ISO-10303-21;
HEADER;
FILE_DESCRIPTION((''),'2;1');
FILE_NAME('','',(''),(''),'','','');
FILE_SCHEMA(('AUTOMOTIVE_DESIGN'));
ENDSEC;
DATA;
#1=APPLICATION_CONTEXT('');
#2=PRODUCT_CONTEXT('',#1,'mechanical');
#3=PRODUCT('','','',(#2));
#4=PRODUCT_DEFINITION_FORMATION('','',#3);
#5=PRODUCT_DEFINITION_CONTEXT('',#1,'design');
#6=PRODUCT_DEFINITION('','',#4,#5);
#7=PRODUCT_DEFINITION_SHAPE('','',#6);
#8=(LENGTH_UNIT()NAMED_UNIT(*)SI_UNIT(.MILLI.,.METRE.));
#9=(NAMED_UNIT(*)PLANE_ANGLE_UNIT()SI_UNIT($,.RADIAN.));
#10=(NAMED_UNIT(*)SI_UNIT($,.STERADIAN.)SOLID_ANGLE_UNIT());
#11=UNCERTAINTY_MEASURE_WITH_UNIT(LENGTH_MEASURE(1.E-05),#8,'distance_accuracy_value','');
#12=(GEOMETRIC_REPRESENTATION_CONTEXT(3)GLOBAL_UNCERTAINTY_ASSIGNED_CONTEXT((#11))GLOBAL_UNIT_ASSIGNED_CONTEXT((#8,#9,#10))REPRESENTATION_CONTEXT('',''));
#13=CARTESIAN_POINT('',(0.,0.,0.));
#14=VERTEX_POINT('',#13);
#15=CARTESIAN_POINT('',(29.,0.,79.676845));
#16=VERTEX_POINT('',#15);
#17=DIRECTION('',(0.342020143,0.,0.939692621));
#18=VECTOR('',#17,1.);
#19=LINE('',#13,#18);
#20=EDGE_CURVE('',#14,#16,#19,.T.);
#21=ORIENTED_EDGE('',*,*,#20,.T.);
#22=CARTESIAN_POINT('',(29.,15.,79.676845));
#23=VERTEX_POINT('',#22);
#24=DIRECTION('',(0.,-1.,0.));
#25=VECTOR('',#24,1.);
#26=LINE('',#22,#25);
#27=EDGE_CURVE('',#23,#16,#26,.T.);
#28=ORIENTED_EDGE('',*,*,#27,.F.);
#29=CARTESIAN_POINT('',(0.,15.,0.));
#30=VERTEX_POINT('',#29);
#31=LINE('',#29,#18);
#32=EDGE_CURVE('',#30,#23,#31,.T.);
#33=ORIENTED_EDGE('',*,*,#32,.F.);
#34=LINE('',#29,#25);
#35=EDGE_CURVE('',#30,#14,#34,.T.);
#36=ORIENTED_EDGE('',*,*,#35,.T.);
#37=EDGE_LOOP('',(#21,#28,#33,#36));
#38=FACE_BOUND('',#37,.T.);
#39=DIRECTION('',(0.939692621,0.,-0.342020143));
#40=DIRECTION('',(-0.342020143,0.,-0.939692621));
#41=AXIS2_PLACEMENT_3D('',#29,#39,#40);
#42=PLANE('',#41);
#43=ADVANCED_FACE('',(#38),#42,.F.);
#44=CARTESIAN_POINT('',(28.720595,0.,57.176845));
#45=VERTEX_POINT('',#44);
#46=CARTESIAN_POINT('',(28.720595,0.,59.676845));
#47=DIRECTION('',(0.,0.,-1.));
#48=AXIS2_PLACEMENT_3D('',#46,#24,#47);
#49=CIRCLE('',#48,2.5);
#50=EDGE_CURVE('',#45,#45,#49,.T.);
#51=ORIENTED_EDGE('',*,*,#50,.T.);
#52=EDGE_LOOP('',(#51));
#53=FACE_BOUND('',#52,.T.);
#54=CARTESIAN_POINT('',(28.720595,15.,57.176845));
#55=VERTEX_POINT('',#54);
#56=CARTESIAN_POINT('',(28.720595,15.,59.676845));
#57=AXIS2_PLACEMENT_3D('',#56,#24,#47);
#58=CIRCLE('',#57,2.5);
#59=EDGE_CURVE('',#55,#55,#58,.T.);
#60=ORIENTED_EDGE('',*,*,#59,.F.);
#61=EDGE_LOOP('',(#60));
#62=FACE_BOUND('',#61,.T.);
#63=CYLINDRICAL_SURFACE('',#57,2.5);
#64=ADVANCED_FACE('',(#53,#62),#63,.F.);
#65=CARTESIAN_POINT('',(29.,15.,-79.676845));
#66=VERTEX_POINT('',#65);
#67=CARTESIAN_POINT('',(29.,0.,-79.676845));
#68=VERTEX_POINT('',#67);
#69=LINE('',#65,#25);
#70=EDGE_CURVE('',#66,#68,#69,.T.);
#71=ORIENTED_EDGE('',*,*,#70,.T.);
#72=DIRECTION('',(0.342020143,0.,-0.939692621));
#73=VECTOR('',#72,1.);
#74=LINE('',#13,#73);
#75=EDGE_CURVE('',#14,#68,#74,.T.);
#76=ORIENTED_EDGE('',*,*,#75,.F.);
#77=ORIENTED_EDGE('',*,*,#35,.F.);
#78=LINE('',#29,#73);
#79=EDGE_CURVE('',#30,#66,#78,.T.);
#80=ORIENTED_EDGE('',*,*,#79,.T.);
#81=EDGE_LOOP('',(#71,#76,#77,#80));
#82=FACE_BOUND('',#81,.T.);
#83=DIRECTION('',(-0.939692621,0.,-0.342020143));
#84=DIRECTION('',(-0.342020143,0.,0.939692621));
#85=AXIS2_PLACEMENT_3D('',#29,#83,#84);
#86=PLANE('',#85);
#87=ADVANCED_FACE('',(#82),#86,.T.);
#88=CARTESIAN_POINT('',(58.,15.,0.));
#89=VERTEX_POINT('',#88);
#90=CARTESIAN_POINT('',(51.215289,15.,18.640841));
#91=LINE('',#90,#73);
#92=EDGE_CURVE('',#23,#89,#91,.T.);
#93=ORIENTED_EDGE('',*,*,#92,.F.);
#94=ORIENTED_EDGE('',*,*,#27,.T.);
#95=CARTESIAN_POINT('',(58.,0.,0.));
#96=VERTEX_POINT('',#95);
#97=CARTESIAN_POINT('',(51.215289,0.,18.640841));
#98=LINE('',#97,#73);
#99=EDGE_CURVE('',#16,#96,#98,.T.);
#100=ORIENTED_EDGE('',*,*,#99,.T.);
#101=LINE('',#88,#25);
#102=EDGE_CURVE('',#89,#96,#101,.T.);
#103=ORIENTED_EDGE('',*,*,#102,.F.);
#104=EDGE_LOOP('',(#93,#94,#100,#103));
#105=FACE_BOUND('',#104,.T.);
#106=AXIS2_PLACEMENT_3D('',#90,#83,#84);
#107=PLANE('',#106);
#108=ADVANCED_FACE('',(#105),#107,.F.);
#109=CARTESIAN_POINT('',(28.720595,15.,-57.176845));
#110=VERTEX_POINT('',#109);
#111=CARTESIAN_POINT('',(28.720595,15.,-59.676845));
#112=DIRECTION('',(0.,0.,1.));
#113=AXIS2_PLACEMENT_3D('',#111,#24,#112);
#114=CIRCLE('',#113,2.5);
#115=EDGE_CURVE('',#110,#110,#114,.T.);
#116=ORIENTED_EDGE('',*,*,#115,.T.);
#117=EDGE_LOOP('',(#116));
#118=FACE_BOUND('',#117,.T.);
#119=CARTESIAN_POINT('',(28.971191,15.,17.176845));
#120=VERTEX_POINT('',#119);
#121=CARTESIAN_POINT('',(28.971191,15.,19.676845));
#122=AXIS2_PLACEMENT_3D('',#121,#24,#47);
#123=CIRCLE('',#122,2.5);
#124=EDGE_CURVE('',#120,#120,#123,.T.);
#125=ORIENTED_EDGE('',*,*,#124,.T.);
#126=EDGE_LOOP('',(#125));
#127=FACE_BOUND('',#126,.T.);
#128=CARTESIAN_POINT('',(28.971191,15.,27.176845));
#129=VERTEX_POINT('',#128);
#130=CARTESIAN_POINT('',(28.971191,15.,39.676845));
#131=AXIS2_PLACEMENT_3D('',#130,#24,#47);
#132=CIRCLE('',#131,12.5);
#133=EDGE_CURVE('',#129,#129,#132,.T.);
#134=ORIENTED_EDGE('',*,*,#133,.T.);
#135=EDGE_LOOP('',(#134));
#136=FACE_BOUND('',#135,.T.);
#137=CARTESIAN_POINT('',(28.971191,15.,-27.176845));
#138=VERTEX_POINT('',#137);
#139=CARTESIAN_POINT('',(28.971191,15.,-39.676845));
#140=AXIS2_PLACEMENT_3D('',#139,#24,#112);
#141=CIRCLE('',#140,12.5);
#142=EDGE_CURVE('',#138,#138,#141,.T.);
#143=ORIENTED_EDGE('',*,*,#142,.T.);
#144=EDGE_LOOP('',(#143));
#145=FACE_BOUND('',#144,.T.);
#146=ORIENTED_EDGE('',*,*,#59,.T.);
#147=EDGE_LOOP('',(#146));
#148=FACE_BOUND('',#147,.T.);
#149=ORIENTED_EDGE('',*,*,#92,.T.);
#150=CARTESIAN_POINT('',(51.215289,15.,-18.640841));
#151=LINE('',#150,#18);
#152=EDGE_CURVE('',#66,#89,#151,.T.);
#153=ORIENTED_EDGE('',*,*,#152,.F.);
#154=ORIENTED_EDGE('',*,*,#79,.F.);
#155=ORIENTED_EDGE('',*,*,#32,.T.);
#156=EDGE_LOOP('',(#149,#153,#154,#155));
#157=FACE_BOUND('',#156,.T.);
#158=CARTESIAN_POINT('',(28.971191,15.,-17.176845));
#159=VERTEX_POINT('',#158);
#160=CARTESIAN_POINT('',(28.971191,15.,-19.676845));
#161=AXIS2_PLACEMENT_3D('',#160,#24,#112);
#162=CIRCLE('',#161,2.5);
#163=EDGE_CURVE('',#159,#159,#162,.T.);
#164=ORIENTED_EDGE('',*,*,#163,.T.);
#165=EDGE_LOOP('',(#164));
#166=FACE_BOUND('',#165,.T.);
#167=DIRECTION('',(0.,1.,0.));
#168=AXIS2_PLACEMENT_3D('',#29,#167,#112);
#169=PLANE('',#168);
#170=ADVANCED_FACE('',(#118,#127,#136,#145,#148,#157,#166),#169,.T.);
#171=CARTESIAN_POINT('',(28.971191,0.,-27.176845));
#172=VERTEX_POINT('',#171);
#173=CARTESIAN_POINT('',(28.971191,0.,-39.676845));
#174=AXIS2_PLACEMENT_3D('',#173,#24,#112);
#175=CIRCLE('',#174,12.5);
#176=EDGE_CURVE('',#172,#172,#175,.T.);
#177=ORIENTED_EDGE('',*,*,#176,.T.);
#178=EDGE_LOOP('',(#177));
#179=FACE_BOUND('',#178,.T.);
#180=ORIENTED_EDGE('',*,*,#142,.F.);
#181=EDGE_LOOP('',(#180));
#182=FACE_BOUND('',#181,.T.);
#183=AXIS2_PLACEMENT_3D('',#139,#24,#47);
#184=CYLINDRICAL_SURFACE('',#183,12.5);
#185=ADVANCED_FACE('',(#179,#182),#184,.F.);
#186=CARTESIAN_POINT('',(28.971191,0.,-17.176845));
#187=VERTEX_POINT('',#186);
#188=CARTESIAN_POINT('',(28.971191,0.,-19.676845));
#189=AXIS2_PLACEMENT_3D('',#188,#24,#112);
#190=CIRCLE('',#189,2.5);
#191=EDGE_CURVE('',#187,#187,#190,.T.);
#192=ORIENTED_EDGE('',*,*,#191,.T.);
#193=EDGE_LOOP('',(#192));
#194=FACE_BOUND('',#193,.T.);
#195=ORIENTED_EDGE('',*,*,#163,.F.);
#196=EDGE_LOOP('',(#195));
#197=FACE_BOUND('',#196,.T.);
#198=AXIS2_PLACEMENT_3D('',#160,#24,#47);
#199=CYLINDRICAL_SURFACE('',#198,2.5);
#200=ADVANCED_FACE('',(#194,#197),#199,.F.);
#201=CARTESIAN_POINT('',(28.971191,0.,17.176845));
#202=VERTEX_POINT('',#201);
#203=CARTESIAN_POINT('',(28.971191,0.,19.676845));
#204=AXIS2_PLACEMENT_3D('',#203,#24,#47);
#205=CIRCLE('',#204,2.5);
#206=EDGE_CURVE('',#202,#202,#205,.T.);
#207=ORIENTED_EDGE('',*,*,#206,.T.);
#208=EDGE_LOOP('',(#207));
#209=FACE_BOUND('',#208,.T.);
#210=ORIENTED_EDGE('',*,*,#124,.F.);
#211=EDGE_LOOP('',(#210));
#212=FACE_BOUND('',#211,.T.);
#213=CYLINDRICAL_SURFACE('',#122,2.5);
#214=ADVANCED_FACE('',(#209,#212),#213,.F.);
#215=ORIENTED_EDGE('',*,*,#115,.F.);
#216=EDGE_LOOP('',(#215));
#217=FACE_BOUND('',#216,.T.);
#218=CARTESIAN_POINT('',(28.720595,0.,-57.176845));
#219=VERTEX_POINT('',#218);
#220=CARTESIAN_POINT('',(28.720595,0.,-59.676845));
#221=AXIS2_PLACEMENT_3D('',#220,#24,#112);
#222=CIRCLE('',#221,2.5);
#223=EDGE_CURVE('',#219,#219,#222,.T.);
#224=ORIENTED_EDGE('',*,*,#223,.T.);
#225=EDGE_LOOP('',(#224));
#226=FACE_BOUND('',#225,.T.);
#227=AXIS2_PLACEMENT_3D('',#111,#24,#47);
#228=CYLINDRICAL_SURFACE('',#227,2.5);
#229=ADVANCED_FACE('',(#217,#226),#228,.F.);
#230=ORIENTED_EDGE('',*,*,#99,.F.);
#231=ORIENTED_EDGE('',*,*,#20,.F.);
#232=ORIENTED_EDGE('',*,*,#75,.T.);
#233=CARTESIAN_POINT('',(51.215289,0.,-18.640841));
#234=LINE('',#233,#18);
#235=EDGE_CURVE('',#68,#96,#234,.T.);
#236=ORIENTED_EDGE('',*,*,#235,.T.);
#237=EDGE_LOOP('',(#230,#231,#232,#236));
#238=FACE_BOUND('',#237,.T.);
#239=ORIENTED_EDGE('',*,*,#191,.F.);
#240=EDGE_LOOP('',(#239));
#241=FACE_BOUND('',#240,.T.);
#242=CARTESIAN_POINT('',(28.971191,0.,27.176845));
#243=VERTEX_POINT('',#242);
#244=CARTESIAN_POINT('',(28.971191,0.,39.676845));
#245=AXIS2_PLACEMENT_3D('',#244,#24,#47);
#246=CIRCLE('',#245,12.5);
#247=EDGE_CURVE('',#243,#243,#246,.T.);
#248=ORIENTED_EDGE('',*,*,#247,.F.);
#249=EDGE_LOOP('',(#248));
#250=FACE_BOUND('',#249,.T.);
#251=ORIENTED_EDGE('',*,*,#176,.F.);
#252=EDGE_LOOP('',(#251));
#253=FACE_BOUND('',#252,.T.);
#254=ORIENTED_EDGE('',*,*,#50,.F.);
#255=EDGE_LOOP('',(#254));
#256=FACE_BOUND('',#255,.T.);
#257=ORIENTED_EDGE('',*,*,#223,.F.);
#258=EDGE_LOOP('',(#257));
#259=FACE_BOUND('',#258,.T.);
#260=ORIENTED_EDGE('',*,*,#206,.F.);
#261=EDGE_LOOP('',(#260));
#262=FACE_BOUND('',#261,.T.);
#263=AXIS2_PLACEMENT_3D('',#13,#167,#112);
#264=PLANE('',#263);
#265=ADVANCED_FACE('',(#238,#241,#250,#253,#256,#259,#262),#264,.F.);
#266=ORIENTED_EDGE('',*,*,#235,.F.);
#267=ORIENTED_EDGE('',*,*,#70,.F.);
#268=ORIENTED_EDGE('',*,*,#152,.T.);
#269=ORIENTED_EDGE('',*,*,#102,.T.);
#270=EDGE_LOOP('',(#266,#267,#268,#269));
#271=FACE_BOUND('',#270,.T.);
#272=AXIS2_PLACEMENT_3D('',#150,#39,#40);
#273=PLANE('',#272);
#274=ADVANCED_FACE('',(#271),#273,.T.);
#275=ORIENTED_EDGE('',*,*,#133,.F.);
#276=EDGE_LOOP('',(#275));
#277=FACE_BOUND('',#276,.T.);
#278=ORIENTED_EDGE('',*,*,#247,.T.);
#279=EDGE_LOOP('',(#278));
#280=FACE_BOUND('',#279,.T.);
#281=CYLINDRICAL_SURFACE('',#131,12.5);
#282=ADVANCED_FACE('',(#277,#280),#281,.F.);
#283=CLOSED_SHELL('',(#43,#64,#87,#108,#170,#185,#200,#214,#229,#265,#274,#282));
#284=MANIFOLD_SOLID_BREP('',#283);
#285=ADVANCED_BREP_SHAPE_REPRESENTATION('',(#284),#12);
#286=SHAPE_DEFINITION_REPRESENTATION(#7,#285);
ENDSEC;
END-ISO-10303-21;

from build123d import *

# Parameters (mm, degrees)
BOSS_EXTRUDE1_DEPTH = 15
SKETCH3_R           = 2.5
SKETCH3_R_2         = 12.5
CUT_EXTRUDE1_DEPTH  = 100.686506887


with BuildPart() as part:
    # Sketch1 → Boss-Extrude1 (new body)
    with BuildSketch(Plane(origin=(0, 0, 0), x_dir=(1, 0, 0), z_dir=(0, 1, 0))):
        Polygon((0, 0), (29, 79.676845164), (58, 0), align=None)
        Polygon((0, 0), (58, 0), (29, -79.676845164), align=None)
    extrude(amount=BOSS_EXTRUDE1_DEPTH)

    # Sketch3 → Cut-Extrude1 (cut, through all)
    with BuildSketch(Plane.XZ):
        with Locations(Location((28.720595315, 59.676845164, 0), (0, 0, 270))):
            Circle(SKETCH3_R)
        with Locations(Location((28.971190629, 39.676845164, 0), (0, 0, 270))):
            Circle(SKETCH3_R_2)
        with Locations(Location((28.971190629, 19.676845164, 0), (0, 0, 270))):
            Circle(SKETCH3_R)
        with Locations(Location((28.720595315, -59.676845164, 0), (0, 0, 90))):
            Circle(SKETCH3_R)
        with Locations(Location((28.971190629, -19.676845164, 0), (0, 0, 90))):
            Circle(SKETCH3_R)
        with Locations(Location((28.971190629, -39.676845164, 0), (0, 0, 90))):
            Circle(SKETCH3_R_2)
    extrude(amount=-CUT_EXTRUDE1_DEPTH, mode=Mode.SUBTRACT)


solid = part.part
